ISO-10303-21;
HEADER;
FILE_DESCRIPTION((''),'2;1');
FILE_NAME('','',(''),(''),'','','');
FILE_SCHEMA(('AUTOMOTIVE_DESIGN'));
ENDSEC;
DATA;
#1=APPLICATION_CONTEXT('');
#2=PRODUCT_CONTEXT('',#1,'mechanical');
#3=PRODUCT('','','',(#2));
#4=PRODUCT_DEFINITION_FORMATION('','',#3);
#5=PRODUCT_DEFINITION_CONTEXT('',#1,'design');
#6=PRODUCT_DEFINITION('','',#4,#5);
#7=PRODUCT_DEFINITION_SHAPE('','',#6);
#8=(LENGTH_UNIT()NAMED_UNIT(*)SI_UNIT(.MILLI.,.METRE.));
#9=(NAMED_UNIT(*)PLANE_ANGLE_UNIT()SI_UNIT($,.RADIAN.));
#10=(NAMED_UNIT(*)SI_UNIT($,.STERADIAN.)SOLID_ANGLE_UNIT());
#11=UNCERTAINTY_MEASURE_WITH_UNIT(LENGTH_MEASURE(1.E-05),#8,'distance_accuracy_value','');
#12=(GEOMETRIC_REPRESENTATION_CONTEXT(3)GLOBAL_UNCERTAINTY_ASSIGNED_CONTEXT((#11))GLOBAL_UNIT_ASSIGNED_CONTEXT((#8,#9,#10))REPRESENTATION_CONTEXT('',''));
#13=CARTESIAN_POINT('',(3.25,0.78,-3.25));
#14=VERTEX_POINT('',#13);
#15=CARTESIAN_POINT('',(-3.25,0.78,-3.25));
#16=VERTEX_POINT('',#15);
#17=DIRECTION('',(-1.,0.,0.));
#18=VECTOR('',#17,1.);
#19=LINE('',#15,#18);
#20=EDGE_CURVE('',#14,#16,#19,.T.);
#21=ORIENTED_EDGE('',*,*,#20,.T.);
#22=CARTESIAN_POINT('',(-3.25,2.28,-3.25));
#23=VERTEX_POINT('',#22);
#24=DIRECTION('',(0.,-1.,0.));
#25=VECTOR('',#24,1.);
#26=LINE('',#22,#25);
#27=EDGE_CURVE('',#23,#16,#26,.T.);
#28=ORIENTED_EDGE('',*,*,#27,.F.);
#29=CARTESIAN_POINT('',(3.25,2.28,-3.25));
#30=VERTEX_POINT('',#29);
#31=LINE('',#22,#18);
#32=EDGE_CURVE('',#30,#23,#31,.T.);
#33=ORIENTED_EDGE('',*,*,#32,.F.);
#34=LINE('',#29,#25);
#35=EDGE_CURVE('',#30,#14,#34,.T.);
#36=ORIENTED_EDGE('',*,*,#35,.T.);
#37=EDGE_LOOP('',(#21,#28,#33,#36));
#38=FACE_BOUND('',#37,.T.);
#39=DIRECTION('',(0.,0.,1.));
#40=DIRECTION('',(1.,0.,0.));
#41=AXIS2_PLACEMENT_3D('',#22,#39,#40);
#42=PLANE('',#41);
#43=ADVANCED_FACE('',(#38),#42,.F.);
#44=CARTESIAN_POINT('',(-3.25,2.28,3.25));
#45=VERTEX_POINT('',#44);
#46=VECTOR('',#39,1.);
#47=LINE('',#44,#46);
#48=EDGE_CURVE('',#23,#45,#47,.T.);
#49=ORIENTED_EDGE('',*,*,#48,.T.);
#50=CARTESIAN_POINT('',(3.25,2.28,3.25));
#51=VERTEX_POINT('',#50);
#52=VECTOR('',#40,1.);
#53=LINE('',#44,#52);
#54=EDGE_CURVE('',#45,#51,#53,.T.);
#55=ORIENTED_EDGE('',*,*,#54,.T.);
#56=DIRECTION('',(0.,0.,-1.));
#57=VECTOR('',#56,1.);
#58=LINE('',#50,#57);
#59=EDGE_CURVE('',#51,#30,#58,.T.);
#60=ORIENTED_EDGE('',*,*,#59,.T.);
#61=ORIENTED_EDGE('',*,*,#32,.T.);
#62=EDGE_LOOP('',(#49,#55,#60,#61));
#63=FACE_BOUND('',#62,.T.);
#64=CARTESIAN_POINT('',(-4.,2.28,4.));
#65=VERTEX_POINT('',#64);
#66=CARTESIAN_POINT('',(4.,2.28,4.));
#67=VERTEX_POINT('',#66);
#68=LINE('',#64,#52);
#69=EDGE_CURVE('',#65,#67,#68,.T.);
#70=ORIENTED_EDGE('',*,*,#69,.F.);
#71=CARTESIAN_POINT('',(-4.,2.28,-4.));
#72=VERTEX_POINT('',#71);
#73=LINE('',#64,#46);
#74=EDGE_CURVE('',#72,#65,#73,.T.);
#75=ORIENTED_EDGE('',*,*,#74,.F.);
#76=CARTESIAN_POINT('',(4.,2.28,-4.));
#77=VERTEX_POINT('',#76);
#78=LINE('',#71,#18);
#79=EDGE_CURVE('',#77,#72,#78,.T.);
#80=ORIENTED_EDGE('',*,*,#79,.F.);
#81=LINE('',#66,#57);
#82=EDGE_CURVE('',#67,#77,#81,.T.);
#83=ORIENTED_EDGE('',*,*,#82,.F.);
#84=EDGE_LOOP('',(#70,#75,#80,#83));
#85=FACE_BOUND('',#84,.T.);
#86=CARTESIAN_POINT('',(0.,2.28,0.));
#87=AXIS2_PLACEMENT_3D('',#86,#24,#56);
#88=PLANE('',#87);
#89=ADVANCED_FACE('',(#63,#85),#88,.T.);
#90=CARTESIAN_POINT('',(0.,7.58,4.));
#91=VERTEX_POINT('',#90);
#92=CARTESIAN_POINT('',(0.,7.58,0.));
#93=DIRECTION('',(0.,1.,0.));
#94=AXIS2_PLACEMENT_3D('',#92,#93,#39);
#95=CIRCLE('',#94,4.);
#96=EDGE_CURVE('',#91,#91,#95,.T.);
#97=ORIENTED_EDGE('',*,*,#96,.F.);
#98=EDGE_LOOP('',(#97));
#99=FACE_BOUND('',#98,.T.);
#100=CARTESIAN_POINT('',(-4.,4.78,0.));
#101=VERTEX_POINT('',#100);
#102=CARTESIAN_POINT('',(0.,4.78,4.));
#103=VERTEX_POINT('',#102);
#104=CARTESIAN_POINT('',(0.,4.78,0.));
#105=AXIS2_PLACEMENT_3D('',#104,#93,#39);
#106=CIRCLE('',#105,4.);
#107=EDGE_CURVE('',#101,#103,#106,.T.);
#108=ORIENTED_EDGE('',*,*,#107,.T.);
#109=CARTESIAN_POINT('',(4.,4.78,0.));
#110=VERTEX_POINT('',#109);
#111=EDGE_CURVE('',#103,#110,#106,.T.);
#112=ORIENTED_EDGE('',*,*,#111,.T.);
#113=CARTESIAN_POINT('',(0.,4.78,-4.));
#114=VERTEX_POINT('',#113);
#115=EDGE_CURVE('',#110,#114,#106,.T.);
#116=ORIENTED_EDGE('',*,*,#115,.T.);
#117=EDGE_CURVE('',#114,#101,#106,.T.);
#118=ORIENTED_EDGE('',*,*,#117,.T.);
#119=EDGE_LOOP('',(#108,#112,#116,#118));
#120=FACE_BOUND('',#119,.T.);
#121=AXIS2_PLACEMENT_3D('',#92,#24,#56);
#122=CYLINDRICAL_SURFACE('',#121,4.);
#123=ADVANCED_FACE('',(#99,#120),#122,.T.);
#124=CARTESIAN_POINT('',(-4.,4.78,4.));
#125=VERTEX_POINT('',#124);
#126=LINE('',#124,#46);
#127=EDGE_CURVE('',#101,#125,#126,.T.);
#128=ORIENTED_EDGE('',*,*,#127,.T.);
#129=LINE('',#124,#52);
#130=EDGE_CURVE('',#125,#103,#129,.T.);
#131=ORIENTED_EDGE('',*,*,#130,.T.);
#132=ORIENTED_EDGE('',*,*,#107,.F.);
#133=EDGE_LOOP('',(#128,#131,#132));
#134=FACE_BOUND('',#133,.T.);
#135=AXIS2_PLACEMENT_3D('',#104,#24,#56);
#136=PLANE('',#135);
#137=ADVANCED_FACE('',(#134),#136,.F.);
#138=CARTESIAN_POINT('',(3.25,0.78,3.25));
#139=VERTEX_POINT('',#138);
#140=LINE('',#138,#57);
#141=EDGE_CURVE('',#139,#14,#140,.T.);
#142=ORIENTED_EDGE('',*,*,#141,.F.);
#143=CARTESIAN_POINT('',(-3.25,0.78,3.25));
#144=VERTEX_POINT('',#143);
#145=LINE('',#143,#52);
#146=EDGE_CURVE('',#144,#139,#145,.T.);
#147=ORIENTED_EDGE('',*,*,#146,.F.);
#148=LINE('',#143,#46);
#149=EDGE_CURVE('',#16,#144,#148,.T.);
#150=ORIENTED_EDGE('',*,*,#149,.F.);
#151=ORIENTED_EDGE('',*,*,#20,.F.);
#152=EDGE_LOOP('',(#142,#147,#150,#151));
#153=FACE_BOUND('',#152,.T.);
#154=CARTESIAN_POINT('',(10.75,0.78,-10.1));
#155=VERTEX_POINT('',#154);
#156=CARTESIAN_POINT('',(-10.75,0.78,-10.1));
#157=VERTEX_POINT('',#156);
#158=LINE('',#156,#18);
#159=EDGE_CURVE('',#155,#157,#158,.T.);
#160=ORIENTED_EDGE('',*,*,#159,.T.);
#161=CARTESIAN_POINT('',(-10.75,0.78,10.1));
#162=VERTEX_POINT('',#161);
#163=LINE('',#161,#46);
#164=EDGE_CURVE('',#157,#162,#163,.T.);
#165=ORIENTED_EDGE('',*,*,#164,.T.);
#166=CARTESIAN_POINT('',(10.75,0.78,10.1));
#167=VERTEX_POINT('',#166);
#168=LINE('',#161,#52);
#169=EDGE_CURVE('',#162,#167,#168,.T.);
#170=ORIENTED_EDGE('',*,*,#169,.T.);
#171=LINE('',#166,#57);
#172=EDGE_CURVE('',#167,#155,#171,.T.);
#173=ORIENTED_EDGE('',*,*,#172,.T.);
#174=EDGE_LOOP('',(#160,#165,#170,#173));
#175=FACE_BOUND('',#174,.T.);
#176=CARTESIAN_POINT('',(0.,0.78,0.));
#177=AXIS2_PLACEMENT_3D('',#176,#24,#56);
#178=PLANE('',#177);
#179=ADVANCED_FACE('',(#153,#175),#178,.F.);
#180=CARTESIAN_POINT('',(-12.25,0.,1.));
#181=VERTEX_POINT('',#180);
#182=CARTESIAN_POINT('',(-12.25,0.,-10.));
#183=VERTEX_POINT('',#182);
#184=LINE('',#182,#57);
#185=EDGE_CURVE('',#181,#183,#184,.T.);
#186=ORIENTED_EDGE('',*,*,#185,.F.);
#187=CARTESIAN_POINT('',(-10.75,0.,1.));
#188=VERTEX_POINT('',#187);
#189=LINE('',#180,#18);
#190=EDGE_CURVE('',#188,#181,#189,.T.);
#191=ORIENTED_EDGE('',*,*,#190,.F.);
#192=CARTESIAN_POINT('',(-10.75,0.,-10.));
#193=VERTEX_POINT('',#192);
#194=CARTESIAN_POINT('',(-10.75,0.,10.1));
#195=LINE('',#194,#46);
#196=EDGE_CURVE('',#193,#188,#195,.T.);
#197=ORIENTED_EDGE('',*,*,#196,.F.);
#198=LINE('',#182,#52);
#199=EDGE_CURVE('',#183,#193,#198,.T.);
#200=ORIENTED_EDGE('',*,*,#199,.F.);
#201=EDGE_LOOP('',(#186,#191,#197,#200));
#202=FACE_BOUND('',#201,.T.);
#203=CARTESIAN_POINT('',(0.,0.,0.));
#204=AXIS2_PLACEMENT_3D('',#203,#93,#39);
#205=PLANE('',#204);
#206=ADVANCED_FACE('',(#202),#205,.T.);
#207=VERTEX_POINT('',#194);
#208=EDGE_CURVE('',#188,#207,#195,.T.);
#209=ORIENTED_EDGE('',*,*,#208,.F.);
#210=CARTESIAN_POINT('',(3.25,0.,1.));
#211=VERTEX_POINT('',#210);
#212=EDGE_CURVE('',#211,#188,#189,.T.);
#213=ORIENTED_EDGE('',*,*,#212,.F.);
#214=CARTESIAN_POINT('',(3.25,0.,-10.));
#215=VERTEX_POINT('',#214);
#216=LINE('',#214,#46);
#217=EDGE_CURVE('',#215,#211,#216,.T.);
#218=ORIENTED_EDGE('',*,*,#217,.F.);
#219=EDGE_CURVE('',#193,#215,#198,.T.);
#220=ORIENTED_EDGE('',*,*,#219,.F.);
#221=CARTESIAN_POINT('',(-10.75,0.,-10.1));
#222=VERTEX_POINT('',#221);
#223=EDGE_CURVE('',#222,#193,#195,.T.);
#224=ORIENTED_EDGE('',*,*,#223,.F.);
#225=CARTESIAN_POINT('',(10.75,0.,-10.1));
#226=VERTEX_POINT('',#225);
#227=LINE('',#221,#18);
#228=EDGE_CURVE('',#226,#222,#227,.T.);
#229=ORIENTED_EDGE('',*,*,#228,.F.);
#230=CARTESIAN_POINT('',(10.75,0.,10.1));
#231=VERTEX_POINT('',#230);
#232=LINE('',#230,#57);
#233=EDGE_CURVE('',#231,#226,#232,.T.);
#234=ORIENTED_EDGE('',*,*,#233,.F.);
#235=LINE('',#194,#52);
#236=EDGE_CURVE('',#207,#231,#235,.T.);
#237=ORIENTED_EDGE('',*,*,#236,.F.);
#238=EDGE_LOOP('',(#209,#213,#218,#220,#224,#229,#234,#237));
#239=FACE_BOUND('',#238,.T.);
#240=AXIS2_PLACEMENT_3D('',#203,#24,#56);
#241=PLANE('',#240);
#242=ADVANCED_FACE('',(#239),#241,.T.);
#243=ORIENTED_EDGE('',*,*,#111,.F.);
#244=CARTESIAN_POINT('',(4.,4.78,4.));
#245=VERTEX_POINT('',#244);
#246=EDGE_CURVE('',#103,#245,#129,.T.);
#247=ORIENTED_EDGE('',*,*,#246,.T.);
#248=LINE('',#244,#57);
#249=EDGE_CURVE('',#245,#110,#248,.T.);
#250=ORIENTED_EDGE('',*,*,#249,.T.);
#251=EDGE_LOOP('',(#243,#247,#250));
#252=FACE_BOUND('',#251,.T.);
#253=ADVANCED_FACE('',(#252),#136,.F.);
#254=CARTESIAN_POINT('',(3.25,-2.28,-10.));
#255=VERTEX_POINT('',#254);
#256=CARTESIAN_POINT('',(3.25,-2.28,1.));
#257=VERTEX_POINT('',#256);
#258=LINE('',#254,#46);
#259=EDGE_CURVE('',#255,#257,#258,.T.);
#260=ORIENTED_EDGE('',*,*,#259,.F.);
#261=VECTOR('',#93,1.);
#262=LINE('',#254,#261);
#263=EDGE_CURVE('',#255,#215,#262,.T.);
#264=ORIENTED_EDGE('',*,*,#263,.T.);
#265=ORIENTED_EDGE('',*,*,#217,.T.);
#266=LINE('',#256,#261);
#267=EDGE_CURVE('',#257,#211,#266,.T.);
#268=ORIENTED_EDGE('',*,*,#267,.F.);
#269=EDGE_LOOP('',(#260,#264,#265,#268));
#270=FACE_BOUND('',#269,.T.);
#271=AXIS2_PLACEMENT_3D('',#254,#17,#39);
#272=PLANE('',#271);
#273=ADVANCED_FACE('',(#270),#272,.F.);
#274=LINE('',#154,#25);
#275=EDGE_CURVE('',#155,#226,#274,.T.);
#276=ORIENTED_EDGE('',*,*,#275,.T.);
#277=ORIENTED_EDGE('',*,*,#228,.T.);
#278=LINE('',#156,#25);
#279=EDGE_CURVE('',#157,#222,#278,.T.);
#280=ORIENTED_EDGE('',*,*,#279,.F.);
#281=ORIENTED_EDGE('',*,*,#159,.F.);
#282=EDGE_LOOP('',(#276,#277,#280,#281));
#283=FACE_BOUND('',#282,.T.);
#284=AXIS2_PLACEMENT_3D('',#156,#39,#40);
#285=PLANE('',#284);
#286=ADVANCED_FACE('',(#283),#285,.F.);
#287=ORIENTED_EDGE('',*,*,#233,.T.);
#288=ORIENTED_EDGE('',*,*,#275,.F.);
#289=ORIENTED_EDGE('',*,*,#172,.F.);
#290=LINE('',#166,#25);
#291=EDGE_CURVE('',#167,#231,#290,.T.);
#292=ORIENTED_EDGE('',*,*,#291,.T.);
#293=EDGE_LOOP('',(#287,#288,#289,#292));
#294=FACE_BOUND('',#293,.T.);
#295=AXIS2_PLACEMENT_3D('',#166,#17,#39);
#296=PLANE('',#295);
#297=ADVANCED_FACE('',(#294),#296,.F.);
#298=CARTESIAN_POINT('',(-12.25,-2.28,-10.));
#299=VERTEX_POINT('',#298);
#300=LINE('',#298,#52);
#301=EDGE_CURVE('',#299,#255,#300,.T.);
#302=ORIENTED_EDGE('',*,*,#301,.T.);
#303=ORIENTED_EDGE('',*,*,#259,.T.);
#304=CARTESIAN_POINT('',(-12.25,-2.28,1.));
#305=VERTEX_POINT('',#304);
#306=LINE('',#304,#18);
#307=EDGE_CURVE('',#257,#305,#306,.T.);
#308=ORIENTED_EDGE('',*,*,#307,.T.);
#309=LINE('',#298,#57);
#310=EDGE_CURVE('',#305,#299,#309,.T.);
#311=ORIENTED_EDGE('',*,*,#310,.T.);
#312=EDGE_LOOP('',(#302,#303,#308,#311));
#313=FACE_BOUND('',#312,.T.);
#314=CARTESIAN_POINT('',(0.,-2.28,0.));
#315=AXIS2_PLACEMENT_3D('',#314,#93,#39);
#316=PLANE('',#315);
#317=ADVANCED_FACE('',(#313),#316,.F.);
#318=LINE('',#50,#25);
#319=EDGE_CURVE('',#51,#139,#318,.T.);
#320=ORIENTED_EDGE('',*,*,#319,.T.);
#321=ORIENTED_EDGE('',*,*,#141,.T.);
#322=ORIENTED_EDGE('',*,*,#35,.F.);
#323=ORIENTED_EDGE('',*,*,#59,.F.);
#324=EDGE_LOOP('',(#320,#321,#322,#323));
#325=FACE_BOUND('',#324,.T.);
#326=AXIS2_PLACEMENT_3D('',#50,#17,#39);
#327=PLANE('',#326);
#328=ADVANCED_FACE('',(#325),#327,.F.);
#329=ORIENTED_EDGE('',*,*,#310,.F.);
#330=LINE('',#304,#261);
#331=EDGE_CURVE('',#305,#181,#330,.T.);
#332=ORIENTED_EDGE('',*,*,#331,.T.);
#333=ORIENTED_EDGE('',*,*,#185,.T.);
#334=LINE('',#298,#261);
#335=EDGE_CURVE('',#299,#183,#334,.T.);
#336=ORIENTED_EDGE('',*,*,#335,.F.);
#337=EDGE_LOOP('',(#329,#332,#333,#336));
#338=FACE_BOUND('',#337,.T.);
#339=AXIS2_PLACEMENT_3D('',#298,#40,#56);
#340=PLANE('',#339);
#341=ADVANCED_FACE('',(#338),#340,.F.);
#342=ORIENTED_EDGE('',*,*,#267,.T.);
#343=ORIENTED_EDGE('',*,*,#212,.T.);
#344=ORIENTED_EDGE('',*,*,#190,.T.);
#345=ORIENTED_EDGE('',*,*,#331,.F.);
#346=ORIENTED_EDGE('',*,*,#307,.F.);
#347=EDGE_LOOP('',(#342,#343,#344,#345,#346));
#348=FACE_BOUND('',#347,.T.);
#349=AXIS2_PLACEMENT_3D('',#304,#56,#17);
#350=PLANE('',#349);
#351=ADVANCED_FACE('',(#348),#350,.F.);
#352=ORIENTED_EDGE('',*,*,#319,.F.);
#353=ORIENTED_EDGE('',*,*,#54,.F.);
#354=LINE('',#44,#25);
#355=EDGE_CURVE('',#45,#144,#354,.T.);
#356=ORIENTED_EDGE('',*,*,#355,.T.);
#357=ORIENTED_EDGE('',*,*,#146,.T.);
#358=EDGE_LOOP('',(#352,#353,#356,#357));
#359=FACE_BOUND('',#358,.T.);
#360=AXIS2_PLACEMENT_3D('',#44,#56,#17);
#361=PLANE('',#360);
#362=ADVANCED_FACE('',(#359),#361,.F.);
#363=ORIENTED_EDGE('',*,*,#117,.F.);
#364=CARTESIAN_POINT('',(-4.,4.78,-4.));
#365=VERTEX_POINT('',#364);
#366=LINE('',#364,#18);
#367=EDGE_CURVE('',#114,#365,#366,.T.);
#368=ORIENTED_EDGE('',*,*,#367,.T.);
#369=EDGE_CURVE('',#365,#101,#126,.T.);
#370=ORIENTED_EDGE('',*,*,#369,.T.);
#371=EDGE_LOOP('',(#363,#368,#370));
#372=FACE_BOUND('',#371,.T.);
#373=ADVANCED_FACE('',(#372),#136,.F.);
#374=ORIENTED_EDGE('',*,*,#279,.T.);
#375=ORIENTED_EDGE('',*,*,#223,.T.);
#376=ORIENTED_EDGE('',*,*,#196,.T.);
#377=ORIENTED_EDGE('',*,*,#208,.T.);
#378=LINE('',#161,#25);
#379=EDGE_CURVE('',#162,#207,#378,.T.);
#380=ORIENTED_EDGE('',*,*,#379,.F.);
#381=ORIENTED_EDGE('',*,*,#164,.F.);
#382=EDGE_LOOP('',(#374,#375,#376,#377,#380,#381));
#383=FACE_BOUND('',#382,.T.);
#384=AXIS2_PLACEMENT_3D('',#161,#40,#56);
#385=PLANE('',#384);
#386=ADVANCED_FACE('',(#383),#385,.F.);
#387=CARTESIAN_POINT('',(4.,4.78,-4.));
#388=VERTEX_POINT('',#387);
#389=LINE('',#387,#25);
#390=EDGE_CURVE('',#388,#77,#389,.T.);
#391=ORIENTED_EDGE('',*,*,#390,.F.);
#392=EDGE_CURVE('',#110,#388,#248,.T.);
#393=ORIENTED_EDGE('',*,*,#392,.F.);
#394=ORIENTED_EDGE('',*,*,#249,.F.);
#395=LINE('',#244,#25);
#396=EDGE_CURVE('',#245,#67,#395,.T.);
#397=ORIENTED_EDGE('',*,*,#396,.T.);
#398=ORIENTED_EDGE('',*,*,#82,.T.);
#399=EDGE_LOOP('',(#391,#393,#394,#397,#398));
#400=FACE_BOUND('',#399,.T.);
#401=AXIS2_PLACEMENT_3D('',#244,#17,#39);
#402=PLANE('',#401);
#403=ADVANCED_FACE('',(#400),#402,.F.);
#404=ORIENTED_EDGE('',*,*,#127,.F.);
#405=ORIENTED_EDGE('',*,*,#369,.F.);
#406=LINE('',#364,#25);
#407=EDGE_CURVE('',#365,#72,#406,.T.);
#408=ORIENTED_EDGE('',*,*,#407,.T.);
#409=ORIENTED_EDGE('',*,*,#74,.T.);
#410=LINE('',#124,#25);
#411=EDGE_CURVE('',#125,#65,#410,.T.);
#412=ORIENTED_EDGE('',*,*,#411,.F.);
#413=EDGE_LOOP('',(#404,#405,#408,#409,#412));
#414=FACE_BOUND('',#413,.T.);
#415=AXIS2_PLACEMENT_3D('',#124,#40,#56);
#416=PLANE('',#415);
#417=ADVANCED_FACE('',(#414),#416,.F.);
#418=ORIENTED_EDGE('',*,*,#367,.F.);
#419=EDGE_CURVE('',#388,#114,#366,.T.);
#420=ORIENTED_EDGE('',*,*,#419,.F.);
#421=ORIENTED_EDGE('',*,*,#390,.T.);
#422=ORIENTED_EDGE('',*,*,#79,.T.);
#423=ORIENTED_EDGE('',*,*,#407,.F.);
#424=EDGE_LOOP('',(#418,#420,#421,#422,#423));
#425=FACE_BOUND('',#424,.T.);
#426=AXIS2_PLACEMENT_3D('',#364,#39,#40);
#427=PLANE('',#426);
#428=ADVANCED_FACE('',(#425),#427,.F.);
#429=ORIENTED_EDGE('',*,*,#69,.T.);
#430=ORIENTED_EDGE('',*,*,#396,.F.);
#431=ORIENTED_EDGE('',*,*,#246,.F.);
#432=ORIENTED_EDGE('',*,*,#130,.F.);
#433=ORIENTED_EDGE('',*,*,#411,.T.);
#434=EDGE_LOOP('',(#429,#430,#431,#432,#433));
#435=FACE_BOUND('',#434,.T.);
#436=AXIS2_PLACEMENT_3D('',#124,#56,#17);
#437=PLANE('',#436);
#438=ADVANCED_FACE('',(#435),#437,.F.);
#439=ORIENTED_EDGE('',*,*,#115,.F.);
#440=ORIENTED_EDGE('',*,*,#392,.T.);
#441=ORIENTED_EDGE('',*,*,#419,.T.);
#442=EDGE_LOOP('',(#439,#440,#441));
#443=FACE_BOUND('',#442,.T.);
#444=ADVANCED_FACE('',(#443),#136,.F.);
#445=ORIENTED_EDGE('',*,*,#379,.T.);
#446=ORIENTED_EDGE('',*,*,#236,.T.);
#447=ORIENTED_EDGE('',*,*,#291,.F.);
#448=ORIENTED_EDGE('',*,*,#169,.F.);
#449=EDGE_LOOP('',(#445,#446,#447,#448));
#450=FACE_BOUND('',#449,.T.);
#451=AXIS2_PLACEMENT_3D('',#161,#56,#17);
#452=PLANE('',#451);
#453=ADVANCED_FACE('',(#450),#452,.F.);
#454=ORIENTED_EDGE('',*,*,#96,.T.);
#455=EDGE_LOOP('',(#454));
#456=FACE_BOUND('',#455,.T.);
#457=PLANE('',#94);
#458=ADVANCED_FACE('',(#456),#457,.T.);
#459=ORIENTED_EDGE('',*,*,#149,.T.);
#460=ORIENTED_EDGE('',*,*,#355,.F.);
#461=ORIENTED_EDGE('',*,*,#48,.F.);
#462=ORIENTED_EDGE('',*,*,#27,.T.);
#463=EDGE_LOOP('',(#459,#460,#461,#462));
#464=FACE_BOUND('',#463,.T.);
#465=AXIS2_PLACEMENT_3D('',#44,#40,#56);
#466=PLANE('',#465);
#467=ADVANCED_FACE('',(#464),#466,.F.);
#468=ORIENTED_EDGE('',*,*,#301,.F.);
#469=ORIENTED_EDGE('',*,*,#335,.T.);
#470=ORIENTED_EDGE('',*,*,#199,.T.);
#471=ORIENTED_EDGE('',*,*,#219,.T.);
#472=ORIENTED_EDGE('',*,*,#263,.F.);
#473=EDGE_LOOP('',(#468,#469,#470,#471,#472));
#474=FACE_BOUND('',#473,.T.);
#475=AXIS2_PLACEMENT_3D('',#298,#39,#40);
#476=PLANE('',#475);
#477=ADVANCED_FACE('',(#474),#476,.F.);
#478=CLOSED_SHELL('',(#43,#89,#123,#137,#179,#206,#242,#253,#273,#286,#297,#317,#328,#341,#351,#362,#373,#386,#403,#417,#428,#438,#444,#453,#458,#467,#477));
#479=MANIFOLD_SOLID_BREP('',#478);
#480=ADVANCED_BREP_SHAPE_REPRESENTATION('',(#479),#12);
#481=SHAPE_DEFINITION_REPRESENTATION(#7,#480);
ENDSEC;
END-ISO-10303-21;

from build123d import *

# Parameters (mm, degrees)
SKETCH_1_W      = 21.5
SKETCH_1_H      = 20.2
EXTRUDE_1_DEPTH = 0.78
SKETCH_2_W      = 6.5
SKETCH_2_H      = 6.5
EXTRUDE_2_DEPTH = 1.5
SKETCH_3_W      = 8
SKETCH_3_H      = 8
EXTRUDE_3_DEPTH = 2.5
SKETCH_4_R      = 4
EXTRUDE_4_DEPTH = 2.8
SKETCH_5_W      = 15.5
SKETCH_5_H      = 11
EXTRUDE_5_DEPTH = 2.28


with BuildPart() as part:
    # Эскиз1 → Бобышка-Вытянуть1 (new body)
    with BuildSketch(Plane(origin=(0, 0, 0), x_dir=(1, 0, 0), z_dir=(0, 1, 0))):
        Rectangle(SKETCH_1_W, SKETCH_1_H)
    extrude(amount=EXTRUDE_1_DEPTH)

    # Эскиз2 → Бобышка-Вытянуть2 (add)
    with BuildSketch(Plane(origin=(0, 0.78, 0), x_dir=(1, 0, 0), z_dir=(0, 1, 0))):
        Rectangle(SKETCH_2_W, SKETCH_2_H)
    extrude(amount=EXTRUDE_2_DEPTH)

    # Эскиз3 → Бобышка-Вытянуть3 (add)
    with BuildSketch(Plane(origin=(0, 2.28, 0), x_dir=(1, 0, 0), z_dir=(0, 1, 0))):
        Rectangle(SKETCH_3_W, SKETCH_3_H)
    extrude(amount=EXTRUDE_3_DEPTH)

    # Эскиз4 → Бобышка-Вытянуть4 (add)
    with BuildSketch(Plane(origin=(0, 4.78, 0), x_dir=(1, 0, 0), z_dir=(0, 1, 0))):
        with Locations(Location((0, 0, 0), (0, 0, 270))):
            Circle(SKETCH_4_R)
    extrude(amount=EXTRUDE_4_DEPTH)

    # Эскиз5 → Бобышка-Вытянуть5 (add)
    with BuildSketch(Plane.XZ):
        with Locations((-4.5, -4.5)):
            Rectangle(SKETCH_5_W, SKETCH_5_H)
    extrude(amount=EXTRUDE_5_DEPTH)


solid = part.part
